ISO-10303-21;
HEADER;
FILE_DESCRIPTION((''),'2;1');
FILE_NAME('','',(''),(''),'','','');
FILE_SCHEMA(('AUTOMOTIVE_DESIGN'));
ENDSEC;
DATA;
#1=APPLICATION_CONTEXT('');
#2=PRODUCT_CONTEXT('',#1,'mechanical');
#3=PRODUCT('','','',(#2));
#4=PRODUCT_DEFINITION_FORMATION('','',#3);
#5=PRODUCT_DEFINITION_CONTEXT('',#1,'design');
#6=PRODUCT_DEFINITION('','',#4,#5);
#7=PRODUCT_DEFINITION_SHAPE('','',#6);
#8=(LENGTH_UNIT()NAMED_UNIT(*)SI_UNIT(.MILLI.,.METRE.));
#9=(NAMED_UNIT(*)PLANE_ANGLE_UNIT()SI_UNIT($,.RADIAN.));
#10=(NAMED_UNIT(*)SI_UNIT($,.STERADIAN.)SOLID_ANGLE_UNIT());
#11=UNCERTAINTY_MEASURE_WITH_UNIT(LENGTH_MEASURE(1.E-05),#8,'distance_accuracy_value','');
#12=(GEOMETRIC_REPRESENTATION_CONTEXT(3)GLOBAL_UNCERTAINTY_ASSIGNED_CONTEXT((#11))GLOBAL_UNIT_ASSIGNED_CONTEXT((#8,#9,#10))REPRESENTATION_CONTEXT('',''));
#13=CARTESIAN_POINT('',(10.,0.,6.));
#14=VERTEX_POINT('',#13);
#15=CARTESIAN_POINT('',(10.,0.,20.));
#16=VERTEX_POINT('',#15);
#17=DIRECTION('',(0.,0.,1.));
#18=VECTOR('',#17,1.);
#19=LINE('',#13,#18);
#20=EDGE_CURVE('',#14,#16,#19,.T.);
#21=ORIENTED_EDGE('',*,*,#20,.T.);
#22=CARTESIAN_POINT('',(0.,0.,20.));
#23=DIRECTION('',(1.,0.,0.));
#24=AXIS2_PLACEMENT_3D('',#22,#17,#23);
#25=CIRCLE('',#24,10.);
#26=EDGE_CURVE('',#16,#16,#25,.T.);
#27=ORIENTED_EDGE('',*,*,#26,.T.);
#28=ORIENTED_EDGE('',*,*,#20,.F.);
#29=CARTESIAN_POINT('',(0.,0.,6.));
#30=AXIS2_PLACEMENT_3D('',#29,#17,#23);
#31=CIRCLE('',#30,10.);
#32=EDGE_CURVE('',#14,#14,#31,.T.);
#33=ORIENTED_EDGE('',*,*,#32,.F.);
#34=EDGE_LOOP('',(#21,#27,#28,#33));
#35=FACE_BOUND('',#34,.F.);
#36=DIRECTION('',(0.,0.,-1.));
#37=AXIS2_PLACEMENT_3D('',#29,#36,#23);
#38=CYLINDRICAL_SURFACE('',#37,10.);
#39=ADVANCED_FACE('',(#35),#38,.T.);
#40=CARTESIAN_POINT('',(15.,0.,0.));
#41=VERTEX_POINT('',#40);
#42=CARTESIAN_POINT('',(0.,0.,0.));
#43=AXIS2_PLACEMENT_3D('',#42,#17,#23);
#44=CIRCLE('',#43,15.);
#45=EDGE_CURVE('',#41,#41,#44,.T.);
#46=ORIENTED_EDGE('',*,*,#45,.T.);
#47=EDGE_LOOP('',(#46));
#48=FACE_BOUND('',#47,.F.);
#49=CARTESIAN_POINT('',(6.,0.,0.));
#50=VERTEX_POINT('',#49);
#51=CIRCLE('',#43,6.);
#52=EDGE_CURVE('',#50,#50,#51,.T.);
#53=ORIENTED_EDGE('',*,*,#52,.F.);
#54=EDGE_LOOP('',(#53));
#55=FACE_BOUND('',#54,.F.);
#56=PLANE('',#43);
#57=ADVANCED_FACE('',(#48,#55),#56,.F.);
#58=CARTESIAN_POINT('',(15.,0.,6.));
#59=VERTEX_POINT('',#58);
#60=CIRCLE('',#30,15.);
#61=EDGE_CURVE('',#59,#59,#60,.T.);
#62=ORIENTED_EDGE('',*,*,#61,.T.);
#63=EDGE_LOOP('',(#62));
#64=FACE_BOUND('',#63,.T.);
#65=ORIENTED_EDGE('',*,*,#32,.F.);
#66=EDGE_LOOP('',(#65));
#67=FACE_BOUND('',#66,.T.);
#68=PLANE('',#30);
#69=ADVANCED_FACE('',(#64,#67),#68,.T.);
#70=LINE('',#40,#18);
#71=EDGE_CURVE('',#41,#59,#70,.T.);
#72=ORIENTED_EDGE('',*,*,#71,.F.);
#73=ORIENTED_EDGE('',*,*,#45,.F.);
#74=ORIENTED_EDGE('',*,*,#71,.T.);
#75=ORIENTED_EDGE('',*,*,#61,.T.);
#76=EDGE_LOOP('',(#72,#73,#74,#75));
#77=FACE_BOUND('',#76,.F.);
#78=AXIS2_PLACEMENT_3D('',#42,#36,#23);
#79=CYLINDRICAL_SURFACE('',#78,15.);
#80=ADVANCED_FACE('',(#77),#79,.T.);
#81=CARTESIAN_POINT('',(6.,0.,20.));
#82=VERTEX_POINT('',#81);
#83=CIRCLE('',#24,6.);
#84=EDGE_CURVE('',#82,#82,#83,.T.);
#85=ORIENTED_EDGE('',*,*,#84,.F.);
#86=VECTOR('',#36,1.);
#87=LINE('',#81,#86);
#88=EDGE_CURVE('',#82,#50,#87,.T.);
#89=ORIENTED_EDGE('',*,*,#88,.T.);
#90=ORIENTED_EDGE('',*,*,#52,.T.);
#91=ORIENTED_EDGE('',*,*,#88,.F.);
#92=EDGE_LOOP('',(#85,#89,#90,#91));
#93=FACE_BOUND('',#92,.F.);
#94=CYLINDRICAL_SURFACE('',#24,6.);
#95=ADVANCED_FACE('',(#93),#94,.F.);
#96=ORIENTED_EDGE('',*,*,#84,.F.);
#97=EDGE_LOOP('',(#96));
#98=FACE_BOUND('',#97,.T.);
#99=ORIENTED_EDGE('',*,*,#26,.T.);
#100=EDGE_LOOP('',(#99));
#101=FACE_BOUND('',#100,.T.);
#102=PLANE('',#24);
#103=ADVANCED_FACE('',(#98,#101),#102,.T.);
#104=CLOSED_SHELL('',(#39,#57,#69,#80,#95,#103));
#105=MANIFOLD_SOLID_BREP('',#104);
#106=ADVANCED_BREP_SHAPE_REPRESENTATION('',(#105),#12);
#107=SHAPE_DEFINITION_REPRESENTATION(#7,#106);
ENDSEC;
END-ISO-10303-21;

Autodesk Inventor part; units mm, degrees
ref_plane "YZ Plane" through (0, 0, 0) normal (1, 0, 0) x (0, 1, 0)
ref_plane "XZ Plane" through (0, 0, 0) normal (0, 1, 0) x (-1, 0, 0)
ref_plane "XY Plane" through (0, 0, 0) normal (0, 0, 1) x (1, 0, 0)
sketch "Sketch1" plane through (0, 0, 0) normal (0, 0, 1) x (1, 0, 0)
  circle A0 centre (0, 0) radius 15
  dimension "d0" = 30
extrude "Extrusion1" add sketch "Sketch1" along normal blind 6
sketch "Sketch2" plane through (0, 0, 6) normal (0, 0, 1) x (1, 0, 0)
  circle A0 centre (0, 0) radius 10
  dimension "d3" = 20
extrude "Extrusion2" add sketch "Sketch2" along normal blind 14
sketch "Sketch3" plane through (0, 0, 20) normal (0, 0, 1) x (1, 0, 0)
  circle A0 centre (0, 0) radius 6
  dimension "d6" = 12
extrude "Extrusion3" cut sketch "Sketch3" against normal blind 20
properties part number "4 - Part 2"
